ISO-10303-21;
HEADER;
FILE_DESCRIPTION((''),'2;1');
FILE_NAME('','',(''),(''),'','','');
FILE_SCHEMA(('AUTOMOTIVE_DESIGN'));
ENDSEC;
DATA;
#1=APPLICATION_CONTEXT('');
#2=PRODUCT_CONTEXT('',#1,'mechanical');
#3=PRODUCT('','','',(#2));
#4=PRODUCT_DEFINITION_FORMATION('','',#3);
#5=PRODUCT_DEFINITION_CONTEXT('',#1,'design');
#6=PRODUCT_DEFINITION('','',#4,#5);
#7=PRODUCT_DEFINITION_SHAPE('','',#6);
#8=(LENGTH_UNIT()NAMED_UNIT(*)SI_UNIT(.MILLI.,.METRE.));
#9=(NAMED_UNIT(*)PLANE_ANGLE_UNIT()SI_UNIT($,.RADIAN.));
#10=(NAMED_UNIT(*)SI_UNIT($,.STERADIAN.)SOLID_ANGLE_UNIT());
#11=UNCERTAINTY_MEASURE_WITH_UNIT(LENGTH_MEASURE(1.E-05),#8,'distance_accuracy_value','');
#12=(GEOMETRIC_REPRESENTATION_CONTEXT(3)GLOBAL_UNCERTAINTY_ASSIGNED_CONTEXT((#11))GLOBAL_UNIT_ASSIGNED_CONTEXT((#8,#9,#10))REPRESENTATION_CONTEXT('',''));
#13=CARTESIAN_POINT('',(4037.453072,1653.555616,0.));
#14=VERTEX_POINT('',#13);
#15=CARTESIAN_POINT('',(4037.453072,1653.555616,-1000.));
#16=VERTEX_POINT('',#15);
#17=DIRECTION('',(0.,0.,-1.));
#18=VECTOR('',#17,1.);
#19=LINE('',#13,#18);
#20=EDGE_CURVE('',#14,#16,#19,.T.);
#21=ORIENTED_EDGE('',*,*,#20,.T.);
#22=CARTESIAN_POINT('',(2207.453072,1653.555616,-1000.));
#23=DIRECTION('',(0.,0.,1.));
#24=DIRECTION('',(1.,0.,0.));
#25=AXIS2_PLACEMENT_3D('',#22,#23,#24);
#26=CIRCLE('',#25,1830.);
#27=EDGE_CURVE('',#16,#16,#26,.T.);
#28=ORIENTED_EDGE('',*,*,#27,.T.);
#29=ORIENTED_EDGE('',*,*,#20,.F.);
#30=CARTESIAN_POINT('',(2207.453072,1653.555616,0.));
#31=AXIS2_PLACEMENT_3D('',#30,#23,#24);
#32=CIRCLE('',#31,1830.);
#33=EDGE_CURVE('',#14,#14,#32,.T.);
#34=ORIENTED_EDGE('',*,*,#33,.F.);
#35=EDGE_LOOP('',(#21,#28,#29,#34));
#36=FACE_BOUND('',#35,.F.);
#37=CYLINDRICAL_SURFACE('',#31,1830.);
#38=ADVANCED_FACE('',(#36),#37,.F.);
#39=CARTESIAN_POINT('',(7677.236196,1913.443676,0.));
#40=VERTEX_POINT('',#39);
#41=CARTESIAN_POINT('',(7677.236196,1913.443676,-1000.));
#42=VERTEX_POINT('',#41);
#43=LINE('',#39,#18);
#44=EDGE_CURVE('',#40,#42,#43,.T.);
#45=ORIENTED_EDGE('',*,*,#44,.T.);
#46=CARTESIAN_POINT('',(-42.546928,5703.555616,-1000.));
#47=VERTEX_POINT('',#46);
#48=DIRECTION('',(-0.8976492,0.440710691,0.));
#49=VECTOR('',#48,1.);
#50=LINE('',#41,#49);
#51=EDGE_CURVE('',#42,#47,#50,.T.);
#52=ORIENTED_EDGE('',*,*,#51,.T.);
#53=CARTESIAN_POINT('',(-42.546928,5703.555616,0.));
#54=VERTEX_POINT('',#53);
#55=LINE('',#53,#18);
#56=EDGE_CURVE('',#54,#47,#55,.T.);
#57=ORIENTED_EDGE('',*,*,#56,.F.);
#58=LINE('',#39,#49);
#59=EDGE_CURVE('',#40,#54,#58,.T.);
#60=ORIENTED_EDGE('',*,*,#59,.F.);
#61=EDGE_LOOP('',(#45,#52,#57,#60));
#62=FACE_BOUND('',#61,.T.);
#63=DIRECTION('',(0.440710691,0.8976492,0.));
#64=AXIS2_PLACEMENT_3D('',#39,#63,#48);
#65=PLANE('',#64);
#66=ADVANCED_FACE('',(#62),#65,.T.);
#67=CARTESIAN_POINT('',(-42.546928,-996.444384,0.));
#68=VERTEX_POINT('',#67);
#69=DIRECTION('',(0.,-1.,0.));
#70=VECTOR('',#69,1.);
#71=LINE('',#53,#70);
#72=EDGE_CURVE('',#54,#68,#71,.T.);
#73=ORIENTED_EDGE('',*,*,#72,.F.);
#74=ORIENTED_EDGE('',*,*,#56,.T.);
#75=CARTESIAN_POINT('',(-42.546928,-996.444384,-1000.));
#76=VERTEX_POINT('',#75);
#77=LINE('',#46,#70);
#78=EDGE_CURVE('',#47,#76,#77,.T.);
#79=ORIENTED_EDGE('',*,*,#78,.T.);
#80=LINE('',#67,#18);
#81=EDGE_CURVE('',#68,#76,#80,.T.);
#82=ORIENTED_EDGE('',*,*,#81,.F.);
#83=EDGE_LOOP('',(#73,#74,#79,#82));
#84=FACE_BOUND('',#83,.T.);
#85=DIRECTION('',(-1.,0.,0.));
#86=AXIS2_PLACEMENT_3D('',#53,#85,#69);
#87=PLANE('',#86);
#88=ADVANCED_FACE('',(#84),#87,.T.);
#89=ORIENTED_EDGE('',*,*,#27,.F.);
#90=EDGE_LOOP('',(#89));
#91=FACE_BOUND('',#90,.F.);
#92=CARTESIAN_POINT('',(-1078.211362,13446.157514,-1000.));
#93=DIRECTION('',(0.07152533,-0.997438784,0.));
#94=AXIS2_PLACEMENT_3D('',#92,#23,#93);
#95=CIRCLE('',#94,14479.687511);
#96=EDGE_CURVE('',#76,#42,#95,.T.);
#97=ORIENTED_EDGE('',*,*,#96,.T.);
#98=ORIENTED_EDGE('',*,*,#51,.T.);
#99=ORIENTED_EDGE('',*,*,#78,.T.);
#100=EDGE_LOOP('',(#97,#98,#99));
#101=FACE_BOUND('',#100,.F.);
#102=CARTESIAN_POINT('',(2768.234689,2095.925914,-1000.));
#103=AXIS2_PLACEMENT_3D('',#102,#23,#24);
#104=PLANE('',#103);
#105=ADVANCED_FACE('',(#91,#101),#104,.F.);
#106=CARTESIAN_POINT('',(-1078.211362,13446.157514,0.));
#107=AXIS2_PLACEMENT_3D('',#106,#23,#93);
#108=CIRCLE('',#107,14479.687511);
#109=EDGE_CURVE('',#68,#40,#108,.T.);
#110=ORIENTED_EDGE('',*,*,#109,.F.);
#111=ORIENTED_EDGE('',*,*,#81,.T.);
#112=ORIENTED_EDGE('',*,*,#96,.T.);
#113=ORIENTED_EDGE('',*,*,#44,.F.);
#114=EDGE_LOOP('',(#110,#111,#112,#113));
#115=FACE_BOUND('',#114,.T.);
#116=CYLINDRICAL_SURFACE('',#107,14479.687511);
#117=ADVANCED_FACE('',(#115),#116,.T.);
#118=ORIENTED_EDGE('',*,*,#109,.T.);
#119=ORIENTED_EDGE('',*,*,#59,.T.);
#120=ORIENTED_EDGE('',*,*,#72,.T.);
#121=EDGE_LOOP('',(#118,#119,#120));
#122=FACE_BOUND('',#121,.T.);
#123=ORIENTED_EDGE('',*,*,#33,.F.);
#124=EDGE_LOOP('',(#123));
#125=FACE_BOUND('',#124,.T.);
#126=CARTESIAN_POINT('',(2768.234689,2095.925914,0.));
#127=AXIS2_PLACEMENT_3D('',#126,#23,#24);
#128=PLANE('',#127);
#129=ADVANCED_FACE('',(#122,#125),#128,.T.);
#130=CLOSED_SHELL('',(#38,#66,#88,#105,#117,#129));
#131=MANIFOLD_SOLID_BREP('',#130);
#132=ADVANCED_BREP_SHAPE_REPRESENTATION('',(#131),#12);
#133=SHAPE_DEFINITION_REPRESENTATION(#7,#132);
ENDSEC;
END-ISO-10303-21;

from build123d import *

# Parameters (mm, degrees)
F0_R     = 1830
F1_DEPTH = 1000


with BuildPart() as f1:
    # F0 (on Top) → F1 (new body)
    with BuildSketch(Plane.XY):
        with BuildLine():
            Line((-42.546928, 5703.555616), (-42.546928, -996.444384))
            ThreePointArc((-42.546928, -996.444384), (4028.972857, -102.939126), (7677.236196, 1913.443676))
            Line((7677.236196, 1913.443676), (-42.546928, 5703.555616))
        make_face()
        with Locations((2207.453072, 1653.555616)):
            Circle(F0_R, mode=Mode.SUBTRACT)
    extrude(amount=-F1_DEPTH)


solid = f1.part
